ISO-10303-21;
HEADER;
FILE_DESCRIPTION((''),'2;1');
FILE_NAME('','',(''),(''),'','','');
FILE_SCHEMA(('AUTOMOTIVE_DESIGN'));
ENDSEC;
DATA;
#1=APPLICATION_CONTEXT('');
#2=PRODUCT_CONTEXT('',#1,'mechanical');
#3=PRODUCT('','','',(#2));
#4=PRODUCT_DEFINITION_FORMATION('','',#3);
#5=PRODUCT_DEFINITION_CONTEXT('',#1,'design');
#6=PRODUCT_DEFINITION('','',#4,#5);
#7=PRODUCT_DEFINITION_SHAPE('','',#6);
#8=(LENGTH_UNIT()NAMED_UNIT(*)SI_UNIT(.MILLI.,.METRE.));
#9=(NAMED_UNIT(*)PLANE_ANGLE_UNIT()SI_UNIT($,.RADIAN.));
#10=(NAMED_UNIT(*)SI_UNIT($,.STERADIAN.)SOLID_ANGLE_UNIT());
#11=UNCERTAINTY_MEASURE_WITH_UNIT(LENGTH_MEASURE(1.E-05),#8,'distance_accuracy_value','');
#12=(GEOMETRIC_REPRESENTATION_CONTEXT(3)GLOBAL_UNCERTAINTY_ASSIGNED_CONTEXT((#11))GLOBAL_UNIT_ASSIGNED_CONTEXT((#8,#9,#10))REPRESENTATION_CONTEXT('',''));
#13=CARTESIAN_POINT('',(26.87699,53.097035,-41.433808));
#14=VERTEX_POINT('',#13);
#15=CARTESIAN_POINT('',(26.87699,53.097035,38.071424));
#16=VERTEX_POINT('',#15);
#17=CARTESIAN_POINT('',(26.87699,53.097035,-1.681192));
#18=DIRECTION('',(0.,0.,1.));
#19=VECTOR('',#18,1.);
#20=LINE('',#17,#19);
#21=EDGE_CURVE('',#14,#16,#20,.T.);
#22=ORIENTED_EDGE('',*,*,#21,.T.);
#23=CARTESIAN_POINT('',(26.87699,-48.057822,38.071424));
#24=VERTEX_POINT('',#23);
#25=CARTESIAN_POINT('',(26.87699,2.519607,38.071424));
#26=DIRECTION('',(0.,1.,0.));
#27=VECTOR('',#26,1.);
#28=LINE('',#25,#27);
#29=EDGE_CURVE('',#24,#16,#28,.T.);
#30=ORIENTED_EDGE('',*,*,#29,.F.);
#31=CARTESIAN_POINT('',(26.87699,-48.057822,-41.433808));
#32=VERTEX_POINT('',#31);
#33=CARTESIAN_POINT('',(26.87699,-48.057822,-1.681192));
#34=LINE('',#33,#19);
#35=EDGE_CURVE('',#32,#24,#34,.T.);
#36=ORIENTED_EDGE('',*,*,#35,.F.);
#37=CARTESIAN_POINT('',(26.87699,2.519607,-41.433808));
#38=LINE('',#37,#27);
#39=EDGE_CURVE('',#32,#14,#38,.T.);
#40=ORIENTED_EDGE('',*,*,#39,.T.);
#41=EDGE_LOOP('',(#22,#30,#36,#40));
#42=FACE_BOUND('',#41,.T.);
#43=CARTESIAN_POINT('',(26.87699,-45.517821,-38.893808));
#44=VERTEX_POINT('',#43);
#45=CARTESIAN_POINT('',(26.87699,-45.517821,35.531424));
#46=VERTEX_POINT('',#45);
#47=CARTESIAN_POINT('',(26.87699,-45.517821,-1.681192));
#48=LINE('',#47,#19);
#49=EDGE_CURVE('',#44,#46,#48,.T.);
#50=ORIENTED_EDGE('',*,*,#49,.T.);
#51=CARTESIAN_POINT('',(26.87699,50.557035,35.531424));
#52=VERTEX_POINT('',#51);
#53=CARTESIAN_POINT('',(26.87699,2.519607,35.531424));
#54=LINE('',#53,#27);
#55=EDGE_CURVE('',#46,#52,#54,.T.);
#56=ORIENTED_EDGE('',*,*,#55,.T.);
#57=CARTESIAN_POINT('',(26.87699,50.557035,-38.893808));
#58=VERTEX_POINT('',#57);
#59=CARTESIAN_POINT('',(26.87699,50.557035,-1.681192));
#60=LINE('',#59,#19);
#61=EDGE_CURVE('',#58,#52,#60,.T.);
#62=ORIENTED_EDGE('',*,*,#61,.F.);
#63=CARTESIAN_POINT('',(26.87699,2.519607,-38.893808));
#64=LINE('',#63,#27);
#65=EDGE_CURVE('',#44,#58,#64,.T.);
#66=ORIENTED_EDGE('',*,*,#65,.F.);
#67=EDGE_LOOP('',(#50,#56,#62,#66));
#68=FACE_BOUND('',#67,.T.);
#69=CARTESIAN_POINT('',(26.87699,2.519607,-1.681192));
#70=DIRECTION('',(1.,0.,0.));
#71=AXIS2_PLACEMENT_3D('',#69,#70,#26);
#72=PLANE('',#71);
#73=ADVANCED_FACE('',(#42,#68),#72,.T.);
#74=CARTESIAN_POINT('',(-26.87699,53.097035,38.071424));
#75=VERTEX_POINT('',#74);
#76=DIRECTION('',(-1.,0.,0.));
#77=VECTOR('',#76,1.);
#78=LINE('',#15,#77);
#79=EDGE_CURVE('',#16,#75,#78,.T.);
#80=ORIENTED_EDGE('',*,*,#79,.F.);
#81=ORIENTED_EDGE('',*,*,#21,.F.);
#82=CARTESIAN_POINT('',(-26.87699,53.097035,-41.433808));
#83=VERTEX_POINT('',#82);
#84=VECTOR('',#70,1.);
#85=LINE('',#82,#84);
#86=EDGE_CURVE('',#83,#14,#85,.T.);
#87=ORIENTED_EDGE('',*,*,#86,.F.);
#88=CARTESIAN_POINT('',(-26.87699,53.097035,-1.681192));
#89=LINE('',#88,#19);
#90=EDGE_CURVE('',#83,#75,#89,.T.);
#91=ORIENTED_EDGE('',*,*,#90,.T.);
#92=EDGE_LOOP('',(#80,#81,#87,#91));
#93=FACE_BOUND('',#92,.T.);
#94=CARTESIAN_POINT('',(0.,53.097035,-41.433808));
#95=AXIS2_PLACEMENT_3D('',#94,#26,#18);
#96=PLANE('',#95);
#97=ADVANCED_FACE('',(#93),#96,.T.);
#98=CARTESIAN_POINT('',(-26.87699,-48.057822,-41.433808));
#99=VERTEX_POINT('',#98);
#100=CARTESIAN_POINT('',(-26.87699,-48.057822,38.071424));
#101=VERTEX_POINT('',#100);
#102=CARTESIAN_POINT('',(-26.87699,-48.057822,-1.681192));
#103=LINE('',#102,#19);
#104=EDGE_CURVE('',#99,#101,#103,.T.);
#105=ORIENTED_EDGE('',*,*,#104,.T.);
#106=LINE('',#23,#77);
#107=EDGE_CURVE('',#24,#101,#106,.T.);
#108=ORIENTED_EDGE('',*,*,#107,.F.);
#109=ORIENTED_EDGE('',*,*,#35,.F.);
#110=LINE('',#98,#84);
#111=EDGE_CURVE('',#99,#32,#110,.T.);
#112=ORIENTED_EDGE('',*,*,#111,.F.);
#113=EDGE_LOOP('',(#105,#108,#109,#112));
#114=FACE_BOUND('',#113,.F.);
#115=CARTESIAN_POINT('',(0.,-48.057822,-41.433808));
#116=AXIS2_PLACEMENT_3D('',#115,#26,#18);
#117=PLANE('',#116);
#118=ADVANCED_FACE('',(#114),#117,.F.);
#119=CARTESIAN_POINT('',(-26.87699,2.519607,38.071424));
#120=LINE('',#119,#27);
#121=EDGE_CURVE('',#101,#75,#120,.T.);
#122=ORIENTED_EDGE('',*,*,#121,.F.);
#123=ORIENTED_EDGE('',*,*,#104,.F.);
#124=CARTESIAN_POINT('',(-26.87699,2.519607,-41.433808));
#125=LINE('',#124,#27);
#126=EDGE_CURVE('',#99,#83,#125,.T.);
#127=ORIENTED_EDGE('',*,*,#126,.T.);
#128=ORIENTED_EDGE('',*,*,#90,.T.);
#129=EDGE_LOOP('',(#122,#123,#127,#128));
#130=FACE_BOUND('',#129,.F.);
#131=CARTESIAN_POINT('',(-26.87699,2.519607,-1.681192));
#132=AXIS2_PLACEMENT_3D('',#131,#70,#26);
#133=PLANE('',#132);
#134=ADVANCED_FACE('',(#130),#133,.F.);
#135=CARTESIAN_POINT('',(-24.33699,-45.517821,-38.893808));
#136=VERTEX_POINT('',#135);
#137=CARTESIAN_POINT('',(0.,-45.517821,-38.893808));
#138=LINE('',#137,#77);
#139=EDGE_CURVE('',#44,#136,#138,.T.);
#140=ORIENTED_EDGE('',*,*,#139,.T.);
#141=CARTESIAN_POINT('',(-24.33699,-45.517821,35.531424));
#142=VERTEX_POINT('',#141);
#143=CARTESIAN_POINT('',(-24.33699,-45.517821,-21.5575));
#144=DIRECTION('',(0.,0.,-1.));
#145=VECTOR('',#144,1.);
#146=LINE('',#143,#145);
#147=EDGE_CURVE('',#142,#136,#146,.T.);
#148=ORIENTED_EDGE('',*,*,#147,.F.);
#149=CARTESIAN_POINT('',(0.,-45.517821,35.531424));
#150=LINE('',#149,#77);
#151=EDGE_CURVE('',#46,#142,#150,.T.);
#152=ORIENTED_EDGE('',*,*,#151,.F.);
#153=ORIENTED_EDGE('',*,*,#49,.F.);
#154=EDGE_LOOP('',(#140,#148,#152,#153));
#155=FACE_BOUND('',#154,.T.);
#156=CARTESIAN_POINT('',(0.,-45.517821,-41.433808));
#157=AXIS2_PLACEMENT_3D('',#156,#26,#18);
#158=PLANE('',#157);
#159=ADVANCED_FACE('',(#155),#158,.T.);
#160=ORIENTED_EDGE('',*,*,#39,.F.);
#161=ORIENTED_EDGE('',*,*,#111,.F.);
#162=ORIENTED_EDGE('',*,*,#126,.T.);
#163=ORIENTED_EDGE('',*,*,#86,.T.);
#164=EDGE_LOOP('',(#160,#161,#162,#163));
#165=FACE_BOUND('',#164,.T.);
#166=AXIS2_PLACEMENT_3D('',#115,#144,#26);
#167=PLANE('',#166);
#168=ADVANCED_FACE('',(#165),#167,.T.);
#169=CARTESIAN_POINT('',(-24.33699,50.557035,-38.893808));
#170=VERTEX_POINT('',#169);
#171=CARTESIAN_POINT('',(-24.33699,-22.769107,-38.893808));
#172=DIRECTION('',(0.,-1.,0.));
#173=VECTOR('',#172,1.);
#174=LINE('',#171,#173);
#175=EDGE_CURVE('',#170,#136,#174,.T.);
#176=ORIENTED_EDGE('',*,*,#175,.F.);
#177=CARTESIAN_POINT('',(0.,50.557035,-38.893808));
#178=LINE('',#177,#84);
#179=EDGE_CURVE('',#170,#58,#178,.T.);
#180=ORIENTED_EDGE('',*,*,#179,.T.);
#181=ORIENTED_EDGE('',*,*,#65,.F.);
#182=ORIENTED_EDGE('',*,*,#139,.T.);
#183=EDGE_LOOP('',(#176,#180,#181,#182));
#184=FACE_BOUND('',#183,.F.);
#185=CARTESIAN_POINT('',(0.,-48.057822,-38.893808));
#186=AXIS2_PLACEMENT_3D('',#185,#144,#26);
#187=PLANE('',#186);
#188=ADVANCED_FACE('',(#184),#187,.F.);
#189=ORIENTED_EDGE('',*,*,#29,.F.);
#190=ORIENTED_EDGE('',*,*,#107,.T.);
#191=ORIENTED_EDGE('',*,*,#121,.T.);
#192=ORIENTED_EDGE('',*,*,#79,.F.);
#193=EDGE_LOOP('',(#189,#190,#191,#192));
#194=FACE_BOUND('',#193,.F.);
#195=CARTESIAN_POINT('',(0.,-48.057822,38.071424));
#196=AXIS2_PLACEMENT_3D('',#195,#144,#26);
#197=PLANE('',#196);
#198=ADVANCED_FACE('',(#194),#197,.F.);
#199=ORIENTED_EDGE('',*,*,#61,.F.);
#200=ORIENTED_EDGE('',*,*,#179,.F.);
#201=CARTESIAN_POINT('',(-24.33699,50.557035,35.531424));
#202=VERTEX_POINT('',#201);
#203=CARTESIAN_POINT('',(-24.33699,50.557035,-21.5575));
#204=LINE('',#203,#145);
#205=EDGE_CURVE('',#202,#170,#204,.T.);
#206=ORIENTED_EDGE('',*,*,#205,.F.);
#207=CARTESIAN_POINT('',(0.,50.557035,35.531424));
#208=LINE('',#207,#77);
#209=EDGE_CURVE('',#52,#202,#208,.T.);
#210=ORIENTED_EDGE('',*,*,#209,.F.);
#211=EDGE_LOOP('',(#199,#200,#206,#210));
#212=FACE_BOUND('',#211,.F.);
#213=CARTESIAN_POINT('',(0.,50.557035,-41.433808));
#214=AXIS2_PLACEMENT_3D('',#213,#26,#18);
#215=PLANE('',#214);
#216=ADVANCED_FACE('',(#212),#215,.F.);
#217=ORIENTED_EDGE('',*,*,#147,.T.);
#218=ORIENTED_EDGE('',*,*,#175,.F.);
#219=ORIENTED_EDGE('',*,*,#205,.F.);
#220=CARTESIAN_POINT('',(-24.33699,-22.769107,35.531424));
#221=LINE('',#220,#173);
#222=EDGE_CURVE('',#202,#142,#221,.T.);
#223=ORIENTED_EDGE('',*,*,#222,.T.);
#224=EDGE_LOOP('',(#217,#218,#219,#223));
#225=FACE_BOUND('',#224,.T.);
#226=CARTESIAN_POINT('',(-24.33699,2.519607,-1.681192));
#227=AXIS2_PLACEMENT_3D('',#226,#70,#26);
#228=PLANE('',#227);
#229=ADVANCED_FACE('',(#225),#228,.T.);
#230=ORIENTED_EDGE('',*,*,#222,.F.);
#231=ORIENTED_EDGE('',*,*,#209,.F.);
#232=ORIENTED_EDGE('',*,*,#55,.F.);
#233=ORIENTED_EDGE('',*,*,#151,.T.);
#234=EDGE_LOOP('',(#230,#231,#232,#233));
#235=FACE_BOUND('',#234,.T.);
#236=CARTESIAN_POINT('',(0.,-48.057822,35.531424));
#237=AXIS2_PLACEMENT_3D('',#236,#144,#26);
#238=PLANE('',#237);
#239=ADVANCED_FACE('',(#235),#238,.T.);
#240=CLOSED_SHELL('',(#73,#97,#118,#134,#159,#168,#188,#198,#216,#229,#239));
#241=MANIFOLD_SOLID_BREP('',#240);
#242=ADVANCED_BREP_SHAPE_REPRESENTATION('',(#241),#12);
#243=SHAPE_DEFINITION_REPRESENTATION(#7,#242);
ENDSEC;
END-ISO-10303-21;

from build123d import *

# Parameters (mm, degrees)
F0_W     = 101.154857
F0_H     = 79.505231
F1_DEPTH = 26.87699
F2_T     = -2.54


with BuildPart() as f1:
    # F0 (on Right) → F1 (new body, symmetric)
    with BuildSketch(Plane.YZ):
        with Locations((2.519607, -1.681192)):
            Rectangle(F0_W, F0_H)
    extrude(amount=F1_DEPTH, both=True)

    # F2
    f2_openings = [f1.faces().sort_by_distance(p)[0] for p in [
        (26.87699, 2.519608, -1.681192),
    ]]
    offset(amount=F2_T, openings=f2_openings)


solid = f1.part
